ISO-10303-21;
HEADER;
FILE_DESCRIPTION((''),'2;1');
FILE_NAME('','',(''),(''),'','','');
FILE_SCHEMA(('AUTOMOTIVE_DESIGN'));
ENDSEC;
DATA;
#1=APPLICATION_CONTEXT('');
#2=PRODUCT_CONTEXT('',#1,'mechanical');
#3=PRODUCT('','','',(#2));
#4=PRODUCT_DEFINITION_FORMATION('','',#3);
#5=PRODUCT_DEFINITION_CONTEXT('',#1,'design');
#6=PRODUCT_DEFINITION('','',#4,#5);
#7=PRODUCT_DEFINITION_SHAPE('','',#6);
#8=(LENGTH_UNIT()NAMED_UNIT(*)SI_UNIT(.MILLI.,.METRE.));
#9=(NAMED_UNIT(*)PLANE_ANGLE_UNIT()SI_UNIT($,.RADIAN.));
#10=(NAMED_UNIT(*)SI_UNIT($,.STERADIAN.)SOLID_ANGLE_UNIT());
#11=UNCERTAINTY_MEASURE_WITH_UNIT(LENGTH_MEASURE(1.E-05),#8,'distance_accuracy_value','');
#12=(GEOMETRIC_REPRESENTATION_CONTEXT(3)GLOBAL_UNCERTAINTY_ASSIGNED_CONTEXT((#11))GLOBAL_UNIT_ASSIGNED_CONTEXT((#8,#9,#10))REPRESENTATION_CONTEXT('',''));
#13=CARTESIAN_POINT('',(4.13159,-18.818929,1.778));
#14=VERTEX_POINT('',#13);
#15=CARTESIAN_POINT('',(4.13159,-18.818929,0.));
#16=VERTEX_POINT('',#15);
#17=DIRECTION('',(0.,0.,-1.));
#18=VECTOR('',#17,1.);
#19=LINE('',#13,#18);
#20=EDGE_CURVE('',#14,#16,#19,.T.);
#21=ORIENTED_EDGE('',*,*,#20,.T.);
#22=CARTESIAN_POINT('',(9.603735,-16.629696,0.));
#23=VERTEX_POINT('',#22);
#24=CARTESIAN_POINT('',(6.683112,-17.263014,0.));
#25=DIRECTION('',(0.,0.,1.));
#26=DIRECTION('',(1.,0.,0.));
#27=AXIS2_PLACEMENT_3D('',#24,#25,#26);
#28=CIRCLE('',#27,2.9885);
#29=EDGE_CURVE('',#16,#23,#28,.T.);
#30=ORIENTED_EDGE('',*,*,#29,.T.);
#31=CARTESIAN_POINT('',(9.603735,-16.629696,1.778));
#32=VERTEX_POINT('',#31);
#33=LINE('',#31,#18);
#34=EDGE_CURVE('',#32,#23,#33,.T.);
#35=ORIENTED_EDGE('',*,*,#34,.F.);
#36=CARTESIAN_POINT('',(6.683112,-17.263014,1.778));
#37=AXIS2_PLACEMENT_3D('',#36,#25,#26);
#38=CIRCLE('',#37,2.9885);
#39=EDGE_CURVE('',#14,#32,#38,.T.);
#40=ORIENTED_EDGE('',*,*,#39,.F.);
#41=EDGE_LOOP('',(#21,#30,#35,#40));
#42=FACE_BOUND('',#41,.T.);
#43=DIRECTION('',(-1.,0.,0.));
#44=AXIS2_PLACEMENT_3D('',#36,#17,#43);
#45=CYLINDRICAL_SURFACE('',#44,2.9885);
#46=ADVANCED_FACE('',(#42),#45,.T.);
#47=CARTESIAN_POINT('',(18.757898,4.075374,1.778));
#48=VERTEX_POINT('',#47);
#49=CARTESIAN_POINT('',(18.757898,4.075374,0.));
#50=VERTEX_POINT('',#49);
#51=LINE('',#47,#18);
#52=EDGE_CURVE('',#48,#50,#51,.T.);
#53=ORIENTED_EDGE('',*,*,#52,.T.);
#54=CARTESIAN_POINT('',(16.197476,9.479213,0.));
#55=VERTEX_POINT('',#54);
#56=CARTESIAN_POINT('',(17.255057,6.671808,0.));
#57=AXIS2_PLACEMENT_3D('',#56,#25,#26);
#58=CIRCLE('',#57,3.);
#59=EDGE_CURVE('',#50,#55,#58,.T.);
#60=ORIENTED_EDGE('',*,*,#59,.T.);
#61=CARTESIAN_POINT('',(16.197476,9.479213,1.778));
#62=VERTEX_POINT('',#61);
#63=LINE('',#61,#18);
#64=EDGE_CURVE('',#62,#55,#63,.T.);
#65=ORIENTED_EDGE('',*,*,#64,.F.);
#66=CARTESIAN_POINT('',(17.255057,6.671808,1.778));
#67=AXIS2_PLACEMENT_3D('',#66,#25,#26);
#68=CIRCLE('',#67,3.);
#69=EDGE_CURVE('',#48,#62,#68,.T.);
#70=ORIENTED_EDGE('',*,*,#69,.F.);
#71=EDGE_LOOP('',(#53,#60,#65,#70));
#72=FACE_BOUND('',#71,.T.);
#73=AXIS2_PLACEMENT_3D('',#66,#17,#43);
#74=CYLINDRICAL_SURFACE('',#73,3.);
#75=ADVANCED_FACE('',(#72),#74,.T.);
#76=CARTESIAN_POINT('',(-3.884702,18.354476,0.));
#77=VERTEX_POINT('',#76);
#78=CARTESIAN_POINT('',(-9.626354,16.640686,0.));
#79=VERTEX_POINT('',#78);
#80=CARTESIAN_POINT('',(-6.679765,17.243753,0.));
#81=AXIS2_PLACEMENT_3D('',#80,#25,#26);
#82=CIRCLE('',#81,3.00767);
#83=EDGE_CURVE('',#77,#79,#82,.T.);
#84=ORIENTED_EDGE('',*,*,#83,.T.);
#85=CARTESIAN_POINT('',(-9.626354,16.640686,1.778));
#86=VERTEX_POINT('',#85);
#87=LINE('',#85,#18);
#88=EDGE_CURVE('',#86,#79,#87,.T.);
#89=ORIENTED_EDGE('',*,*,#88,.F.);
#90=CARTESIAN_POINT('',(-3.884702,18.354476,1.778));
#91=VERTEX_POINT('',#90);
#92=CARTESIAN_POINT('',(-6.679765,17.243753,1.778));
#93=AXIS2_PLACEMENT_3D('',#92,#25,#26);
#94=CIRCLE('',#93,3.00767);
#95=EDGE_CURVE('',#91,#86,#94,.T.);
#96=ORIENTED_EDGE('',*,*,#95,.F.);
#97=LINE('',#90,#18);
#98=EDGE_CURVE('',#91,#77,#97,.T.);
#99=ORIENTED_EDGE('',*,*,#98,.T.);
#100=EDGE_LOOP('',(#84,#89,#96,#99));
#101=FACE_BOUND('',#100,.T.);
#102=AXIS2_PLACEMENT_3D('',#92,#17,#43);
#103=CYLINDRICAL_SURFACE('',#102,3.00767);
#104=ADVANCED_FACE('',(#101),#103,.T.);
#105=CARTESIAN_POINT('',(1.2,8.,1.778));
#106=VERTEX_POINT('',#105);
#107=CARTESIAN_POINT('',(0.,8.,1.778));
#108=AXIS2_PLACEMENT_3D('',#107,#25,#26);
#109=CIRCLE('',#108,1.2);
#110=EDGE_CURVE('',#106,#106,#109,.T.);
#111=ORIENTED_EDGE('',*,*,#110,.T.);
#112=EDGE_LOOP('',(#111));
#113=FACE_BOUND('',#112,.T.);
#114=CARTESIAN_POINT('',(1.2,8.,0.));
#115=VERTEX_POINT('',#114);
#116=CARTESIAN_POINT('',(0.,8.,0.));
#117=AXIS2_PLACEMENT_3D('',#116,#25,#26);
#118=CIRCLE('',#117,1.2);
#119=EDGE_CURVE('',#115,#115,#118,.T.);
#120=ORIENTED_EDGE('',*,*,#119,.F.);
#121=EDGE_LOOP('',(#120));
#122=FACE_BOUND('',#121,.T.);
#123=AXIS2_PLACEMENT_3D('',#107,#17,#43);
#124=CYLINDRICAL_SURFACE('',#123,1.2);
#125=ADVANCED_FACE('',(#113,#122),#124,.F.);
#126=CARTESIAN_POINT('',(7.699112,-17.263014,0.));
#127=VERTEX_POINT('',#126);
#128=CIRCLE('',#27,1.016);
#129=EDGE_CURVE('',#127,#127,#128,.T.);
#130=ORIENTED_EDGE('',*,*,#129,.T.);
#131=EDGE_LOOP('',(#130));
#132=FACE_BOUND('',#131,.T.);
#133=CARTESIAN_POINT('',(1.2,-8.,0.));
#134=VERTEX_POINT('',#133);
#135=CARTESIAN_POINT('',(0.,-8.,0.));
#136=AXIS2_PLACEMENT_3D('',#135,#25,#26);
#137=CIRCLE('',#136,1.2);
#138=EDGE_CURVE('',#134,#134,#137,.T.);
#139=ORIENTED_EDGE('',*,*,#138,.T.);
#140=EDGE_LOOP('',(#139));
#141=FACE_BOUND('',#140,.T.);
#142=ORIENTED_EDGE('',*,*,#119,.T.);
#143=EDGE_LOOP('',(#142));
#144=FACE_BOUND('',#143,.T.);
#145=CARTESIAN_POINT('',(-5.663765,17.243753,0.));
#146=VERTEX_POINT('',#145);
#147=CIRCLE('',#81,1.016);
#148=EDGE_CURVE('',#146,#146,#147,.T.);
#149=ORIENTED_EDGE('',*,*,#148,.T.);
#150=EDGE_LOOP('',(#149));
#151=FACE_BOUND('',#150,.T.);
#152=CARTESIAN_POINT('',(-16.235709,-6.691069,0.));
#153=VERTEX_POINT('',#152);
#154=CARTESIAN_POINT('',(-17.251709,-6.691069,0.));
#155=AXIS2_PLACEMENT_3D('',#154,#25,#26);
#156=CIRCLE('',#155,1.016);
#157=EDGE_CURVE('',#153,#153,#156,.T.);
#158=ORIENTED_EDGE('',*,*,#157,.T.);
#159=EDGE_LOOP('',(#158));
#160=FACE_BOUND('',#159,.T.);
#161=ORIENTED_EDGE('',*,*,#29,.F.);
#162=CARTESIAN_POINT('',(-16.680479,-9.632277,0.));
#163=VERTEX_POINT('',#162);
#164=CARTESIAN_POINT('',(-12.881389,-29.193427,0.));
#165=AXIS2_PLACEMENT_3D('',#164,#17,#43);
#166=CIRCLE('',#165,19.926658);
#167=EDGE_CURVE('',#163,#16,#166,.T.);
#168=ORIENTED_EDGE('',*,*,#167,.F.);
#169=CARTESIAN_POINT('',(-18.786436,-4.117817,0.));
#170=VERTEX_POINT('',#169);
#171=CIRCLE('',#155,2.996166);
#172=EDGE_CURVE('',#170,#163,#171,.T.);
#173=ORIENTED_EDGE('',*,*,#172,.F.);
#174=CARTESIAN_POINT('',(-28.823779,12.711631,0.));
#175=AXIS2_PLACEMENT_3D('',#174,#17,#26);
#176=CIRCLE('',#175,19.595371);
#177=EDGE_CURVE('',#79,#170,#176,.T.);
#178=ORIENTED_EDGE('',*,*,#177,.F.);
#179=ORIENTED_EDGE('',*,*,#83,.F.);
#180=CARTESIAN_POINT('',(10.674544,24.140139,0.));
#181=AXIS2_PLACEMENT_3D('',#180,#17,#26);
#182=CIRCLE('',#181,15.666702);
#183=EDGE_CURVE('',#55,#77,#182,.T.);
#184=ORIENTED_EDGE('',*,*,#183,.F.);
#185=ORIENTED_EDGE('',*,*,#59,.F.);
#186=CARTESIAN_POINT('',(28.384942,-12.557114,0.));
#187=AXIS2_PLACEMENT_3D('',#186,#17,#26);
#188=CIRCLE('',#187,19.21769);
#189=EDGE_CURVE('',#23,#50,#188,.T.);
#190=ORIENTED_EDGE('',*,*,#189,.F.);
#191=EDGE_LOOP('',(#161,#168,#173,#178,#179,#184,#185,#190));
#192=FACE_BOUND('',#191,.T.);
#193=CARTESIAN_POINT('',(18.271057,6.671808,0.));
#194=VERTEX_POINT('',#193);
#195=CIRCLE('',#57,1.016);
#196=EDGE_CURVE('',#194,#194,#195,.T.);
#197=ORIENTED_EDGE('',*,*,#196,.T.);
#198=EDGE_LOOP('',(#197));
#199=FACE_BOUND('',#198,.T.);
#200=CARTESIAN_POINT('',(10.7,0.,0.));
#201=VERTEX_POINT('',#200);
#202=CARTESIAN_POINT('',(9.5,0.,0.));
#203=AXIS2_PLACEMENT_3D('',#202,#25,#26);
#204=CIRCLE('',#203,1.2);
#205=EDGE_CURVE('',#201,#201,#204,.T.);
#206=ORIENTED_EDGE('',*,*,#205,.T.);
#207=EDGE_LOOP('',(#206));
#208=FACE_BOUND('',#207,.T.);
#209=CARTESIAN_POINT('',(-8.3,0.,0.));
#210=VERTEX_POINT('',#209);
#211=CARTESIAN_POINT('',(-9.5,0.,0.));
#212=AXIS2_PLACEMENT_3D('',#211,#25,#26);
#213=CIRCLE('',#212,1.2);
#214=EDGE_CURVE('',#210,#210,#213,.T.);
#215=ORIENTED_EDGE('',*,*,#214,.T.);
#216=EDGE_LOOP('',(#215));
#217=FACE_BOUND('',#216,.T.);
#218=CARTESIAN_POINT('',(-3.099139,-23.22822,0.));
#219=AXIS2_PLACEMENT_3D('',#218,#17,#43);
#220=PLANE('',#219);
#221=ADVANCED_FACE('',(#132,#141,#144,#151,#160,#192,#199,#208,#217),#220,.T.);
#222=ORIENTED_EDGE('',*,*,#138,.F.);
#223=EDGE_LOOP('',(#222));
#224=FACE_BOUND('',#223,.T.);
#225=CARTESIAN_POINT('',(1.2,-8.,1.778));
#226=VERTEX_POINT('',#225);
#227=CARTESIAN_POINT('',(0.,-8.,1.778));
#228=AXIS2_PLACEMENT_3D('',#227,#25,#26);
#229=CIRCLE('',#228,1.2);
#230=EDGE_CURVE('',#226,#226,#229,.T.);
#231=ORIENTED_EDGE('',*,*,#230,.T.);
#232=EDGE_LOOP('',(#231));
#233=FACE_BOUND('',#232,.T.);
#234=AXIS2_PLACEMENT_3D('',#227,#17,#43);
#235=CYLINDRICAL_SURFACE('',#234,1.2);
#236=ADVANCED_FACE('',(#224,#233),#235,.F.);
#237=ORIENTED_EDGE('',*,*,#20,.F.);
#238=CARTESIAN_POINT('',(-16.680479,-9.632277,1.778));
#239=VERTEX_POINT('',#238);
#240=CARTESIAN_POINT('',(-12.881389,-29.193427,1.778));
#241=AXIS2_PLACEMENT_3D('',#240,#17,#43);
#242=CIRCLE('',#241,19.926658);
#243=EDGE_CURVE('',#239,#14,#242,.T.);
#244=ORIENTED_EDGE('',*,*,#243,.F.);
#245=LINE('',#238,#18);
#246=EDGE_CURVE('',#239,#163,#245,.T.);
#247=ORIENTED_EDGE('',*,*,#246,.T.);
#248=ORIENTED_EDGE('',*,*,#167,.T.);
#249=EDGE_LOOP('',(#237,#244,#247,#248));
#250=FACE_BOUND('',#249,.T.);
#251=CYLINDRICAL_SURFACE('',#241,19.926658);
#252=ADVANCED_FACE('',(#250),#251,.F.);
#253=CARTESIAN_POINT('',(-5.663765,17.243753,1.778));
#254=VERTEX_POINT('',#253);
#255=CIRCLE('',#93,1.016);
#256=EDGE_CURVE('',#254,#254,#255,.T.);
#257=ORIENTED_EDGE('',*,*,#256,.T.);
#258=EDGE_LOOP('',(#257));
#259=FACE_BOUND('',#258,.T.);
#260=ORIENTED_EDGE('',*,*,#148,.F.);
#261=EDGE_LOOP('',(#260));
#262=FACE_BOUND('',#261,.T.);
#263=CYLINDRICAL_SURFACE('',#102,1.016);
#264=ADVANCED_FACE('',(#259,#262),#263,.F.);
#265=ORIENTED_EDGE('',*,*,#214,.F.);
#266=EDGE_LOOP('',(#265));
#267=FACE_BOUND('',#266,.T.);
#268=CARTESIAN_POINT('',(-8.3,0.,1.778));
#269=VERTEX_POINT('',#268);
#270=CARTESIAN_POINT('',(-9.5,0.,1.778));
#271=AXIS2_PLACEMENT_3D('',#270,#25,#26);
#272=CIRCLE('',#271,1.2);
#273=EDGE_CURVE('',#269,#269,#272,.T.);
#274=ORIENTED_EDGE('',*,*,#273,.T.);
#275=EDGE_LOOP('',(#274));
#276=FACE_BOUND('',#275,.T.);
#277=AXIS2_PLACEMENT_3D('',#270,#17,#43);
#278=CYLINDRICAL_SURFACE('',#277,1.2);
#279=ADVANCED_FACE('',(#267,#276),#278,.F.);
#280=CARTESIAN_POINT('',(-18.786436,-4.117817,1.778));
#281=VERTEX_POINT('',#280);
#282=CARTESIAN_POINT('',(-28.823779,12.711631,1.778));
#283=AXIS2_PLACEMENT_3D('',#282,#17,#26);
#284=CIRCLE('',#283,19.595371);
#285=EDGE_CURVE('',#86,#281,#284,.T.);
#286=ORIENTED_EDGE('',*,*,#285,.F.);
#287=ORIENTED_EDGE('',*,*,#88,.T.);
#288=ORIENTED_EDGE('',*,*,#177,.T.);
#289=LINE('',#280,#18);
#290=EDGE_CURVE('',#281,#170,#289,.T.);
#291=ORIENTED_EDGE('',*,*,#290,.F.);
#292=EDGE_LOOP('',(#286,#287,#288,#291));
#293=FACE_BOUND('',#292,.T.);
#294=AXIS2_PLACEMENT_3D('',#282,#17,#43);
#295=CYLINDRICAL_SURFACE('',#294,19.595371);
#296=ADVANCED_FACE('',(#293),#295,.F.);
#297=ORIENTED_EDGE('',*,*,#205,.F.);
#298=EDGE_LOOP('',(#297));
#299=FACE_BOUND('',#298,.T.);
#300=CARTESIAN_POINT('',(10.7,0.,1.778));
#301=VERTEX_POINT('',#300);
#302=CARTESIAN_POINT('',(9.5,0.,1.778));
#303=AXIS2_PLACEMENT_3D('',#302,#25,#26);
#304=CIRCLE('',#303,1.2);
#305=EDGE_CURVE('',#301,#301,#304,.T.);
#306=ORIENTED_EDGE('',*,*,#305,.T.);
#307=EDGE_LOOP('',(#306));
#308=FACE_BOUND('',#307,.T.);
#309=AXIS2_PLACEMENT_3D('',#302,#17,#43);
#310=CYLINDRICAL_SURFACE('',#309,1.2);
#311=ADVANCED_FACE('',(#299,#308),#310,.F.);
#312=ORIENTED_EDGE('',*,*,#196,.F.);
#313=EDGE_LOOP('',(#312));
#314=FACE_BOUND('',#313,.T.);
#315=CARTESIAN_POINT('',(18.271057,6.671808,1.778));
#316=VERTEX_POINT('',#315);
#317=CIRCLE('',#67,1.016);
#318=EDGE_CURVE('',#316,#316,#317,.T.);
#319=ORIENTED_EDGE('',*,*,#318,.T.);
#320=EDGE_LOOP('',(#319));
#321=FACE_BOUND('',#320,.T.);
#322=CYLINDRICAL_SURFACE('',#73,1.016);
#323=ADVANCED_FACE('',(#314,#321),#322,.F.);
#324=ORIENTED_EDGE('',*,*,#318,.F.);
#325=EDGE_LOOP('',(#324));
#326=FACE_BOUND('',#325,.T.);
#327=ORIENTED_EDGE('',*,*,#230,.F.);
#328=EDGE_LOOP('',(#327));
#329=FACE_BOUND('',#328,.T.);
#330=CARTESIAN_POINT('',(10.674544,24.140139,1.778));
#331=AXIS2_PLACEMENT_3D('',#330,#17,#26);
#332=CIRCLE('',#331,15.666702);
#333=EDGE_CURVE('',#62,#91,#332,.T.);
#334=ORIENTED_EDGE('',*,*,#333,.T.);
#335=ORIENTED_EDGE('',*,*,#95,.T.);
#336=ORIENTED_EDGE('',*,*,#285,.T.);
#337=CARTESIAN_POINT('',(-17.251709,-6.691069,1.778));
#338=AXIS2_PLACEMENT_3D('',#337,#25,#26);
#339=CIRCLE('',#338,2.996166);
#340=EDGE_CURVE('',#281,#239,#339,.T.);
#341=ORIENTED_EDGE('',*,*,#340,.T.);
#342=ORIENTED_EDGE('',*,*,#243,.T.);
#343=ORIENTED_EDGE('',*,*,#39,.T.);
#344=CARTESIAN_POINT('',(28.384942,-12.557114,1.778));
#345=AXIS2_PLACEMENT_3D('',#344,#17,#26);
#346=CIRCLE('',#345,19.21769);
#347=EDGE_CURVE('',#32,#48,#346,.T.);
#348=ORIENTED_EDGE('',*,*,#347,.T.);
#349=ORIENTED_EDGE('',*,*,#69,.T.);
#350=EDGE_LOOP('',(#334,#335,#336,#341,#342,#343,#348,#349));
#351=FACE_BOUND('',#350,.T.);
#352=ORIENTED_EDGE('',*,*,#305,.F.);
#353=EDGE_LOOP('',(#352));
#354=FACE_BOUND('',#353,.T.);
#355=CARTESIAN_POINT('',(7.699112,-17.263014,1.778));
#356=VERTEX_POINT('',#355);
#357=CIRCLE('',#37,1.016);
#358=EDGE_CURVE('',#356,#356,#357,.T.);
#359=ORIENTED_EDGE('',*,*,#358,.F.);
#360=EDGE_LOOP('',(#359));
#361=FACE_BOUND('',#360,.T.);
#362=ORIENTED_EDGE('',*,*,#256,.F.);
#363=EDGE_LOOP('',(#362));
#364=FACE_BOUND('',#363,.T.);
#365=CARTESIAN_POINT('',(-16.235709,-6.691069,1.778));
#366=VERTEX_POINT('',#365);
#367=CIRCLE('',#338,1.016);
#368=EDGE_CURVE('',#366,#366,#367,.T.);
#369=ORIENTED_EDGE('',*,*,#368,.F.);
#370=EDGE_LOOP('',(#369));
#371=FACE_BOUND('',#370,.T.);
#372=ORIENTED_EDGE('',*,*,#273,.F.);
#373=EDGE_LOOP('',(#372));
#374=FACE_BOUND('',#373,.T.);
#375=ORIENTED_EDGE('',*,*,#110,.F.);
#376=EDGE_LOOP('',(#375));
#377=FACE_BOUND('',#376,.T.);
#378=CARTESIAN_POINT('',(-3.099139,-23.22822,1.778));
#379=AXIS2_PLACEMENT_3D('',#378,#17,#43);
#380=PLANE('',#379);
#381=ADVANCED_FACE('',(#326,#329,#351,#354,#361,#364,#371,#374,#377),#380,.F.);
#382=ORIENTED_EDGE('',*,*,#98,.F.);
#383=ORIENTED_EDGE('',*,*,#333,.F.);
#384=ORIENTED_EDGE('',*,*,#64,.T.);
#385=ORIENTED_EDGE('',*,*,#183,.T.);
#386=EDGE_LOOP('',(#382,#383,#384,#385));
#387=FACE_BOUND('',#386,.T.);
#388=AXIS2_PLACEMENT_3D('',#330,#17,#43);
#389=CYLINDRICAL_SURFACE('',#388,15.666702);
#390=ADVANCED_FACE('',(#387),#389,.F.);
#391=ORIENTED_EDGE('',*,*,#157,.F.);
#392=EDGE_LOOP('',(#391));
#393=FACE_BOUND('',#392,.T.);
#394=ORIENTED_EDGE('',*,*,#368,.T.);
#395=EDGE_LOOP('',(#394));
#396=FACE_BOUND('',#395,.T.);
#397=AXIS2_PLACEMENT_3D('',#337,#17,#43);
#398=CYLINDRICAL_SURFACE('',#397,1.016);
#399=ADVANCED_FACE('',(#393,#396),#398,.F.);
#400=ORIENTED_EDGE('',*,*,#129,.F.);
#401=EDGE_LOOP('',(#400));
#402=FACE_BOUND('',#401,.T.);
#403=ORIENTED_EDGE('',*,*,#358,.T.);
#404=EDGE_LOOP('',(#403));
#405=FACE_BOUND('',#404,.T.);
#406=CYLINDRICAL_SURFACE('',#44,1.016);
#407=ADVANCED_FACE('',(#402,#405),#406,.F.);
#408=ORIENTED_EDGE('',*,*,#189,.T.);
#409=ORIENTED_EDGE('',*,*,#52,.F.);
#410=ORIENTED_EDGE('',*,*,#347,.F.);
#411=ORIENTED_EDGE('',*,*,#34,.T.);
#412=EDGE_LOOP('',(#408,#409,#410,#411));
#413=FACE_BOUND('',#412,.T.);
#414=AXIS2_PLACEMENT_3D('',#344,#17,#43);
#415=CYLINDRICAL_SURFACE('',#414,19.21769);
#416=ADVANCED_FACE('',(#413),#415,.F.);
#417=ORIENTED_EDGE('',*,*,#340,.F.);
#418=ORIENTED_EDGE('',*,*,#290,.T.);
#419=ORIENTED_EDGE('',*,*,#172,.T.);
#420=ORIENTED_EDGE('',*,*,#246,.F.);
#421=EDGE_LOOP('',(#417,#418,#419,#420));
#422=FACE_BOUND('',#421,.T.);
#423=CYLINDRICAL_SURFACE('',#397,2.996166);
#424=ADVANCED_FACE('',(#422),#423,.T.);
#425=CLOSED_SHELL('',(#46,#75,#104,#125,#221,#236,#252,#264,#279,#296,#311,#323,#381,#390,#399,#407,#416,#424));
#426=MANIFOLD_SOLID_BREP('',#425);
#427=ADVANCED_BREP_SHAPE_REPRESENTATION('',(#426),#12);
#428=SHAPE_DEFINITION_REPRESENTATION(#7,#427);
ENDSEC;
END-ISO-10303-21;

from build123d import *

# Parameters (mm, degrees)
SKETCH1_R           = 1.2
SKETCH1_R_2         = 1.016
BOSS_EXTRUDE1_DEPTH = 1.778


with BuildPart() as part:
    # Sketch1 → Boss-Extrude1 (new body)
    with BuildSketch(Plane.XY):
        with BuildLine():
            ThreePointArc((-18.786436302, -4.117817235), (-20.050708925, -7.759998805), (-16.680479475, -9.632276912))
            ThreePointArc((-16.680479475, -9.632276912), (-4.834628254, -10.963744593), (4.131590393, -18.818928901))
            ThreePointArc((4.131590393, -18.818928901), (7.793176957, -20.037700838), (9.603735314, -16.629695609))
            ThreePointArc((9.603735314, -16.629695609), (10.808475978, -4.78617574), (18.757897672, 4.075373655))
            ThreePointArc((18.757897672, 4.075373655), (19.966132816, 7.95635676), (16.197476331, 9.479212735))
            ThreePointArc((16.197476331, 9.479212735), (4.341589411, 9.810476534), (-3.884701894, 18.354475699))
            ThreePointArc((-3.884701894, 18.354475699), (-7.540001964, 20.125778306), (-9.626354431, 16.640686499))
            ThreePointArc((-9.626354431, 16.640686499), (-10.896236616, 4.800764559), (-18.786436302, -4.117817235))
        make_face()
        with Locations((0, 8)):
            Circle(SKETCH1_R, mode=Mode.SUBTRACT)
        with Locations((-9.5, 0)):
            Circle(SKETCH1_R, mode=Mode.SUBTRACT)
        with Locations((9.5, 0)):
            Circle(SKETCH1_R, mode=Mode.SUBTRACT)
        with Locations((0, -8)):
            Circle(SKETCH1_R, mode=Mode.SUBTRACT)
        with Locations((17.255056752, 6.671807588)):
            Circle(SKETCH1_R_2, mode=Mode.SUBTRACT)
        with Locations((6.683111778, -17.263013667)):
            Circle(SKETCH1_R_2, mode=Mode.SUBTRACT)
        with Locations((-17.251709477, -6.691068694)):
            Circle(SKETCH1_R_2, mode=Mode.SUBTRACT)
        with Locations((-6.679764504, 17.243752562)):
            Circle(SKETCH1_R_2, mode=Mode.SUBTRACT)
    extrude(amount=BOSS_EXTRUDE1_DEPTH)


solid = part.part
